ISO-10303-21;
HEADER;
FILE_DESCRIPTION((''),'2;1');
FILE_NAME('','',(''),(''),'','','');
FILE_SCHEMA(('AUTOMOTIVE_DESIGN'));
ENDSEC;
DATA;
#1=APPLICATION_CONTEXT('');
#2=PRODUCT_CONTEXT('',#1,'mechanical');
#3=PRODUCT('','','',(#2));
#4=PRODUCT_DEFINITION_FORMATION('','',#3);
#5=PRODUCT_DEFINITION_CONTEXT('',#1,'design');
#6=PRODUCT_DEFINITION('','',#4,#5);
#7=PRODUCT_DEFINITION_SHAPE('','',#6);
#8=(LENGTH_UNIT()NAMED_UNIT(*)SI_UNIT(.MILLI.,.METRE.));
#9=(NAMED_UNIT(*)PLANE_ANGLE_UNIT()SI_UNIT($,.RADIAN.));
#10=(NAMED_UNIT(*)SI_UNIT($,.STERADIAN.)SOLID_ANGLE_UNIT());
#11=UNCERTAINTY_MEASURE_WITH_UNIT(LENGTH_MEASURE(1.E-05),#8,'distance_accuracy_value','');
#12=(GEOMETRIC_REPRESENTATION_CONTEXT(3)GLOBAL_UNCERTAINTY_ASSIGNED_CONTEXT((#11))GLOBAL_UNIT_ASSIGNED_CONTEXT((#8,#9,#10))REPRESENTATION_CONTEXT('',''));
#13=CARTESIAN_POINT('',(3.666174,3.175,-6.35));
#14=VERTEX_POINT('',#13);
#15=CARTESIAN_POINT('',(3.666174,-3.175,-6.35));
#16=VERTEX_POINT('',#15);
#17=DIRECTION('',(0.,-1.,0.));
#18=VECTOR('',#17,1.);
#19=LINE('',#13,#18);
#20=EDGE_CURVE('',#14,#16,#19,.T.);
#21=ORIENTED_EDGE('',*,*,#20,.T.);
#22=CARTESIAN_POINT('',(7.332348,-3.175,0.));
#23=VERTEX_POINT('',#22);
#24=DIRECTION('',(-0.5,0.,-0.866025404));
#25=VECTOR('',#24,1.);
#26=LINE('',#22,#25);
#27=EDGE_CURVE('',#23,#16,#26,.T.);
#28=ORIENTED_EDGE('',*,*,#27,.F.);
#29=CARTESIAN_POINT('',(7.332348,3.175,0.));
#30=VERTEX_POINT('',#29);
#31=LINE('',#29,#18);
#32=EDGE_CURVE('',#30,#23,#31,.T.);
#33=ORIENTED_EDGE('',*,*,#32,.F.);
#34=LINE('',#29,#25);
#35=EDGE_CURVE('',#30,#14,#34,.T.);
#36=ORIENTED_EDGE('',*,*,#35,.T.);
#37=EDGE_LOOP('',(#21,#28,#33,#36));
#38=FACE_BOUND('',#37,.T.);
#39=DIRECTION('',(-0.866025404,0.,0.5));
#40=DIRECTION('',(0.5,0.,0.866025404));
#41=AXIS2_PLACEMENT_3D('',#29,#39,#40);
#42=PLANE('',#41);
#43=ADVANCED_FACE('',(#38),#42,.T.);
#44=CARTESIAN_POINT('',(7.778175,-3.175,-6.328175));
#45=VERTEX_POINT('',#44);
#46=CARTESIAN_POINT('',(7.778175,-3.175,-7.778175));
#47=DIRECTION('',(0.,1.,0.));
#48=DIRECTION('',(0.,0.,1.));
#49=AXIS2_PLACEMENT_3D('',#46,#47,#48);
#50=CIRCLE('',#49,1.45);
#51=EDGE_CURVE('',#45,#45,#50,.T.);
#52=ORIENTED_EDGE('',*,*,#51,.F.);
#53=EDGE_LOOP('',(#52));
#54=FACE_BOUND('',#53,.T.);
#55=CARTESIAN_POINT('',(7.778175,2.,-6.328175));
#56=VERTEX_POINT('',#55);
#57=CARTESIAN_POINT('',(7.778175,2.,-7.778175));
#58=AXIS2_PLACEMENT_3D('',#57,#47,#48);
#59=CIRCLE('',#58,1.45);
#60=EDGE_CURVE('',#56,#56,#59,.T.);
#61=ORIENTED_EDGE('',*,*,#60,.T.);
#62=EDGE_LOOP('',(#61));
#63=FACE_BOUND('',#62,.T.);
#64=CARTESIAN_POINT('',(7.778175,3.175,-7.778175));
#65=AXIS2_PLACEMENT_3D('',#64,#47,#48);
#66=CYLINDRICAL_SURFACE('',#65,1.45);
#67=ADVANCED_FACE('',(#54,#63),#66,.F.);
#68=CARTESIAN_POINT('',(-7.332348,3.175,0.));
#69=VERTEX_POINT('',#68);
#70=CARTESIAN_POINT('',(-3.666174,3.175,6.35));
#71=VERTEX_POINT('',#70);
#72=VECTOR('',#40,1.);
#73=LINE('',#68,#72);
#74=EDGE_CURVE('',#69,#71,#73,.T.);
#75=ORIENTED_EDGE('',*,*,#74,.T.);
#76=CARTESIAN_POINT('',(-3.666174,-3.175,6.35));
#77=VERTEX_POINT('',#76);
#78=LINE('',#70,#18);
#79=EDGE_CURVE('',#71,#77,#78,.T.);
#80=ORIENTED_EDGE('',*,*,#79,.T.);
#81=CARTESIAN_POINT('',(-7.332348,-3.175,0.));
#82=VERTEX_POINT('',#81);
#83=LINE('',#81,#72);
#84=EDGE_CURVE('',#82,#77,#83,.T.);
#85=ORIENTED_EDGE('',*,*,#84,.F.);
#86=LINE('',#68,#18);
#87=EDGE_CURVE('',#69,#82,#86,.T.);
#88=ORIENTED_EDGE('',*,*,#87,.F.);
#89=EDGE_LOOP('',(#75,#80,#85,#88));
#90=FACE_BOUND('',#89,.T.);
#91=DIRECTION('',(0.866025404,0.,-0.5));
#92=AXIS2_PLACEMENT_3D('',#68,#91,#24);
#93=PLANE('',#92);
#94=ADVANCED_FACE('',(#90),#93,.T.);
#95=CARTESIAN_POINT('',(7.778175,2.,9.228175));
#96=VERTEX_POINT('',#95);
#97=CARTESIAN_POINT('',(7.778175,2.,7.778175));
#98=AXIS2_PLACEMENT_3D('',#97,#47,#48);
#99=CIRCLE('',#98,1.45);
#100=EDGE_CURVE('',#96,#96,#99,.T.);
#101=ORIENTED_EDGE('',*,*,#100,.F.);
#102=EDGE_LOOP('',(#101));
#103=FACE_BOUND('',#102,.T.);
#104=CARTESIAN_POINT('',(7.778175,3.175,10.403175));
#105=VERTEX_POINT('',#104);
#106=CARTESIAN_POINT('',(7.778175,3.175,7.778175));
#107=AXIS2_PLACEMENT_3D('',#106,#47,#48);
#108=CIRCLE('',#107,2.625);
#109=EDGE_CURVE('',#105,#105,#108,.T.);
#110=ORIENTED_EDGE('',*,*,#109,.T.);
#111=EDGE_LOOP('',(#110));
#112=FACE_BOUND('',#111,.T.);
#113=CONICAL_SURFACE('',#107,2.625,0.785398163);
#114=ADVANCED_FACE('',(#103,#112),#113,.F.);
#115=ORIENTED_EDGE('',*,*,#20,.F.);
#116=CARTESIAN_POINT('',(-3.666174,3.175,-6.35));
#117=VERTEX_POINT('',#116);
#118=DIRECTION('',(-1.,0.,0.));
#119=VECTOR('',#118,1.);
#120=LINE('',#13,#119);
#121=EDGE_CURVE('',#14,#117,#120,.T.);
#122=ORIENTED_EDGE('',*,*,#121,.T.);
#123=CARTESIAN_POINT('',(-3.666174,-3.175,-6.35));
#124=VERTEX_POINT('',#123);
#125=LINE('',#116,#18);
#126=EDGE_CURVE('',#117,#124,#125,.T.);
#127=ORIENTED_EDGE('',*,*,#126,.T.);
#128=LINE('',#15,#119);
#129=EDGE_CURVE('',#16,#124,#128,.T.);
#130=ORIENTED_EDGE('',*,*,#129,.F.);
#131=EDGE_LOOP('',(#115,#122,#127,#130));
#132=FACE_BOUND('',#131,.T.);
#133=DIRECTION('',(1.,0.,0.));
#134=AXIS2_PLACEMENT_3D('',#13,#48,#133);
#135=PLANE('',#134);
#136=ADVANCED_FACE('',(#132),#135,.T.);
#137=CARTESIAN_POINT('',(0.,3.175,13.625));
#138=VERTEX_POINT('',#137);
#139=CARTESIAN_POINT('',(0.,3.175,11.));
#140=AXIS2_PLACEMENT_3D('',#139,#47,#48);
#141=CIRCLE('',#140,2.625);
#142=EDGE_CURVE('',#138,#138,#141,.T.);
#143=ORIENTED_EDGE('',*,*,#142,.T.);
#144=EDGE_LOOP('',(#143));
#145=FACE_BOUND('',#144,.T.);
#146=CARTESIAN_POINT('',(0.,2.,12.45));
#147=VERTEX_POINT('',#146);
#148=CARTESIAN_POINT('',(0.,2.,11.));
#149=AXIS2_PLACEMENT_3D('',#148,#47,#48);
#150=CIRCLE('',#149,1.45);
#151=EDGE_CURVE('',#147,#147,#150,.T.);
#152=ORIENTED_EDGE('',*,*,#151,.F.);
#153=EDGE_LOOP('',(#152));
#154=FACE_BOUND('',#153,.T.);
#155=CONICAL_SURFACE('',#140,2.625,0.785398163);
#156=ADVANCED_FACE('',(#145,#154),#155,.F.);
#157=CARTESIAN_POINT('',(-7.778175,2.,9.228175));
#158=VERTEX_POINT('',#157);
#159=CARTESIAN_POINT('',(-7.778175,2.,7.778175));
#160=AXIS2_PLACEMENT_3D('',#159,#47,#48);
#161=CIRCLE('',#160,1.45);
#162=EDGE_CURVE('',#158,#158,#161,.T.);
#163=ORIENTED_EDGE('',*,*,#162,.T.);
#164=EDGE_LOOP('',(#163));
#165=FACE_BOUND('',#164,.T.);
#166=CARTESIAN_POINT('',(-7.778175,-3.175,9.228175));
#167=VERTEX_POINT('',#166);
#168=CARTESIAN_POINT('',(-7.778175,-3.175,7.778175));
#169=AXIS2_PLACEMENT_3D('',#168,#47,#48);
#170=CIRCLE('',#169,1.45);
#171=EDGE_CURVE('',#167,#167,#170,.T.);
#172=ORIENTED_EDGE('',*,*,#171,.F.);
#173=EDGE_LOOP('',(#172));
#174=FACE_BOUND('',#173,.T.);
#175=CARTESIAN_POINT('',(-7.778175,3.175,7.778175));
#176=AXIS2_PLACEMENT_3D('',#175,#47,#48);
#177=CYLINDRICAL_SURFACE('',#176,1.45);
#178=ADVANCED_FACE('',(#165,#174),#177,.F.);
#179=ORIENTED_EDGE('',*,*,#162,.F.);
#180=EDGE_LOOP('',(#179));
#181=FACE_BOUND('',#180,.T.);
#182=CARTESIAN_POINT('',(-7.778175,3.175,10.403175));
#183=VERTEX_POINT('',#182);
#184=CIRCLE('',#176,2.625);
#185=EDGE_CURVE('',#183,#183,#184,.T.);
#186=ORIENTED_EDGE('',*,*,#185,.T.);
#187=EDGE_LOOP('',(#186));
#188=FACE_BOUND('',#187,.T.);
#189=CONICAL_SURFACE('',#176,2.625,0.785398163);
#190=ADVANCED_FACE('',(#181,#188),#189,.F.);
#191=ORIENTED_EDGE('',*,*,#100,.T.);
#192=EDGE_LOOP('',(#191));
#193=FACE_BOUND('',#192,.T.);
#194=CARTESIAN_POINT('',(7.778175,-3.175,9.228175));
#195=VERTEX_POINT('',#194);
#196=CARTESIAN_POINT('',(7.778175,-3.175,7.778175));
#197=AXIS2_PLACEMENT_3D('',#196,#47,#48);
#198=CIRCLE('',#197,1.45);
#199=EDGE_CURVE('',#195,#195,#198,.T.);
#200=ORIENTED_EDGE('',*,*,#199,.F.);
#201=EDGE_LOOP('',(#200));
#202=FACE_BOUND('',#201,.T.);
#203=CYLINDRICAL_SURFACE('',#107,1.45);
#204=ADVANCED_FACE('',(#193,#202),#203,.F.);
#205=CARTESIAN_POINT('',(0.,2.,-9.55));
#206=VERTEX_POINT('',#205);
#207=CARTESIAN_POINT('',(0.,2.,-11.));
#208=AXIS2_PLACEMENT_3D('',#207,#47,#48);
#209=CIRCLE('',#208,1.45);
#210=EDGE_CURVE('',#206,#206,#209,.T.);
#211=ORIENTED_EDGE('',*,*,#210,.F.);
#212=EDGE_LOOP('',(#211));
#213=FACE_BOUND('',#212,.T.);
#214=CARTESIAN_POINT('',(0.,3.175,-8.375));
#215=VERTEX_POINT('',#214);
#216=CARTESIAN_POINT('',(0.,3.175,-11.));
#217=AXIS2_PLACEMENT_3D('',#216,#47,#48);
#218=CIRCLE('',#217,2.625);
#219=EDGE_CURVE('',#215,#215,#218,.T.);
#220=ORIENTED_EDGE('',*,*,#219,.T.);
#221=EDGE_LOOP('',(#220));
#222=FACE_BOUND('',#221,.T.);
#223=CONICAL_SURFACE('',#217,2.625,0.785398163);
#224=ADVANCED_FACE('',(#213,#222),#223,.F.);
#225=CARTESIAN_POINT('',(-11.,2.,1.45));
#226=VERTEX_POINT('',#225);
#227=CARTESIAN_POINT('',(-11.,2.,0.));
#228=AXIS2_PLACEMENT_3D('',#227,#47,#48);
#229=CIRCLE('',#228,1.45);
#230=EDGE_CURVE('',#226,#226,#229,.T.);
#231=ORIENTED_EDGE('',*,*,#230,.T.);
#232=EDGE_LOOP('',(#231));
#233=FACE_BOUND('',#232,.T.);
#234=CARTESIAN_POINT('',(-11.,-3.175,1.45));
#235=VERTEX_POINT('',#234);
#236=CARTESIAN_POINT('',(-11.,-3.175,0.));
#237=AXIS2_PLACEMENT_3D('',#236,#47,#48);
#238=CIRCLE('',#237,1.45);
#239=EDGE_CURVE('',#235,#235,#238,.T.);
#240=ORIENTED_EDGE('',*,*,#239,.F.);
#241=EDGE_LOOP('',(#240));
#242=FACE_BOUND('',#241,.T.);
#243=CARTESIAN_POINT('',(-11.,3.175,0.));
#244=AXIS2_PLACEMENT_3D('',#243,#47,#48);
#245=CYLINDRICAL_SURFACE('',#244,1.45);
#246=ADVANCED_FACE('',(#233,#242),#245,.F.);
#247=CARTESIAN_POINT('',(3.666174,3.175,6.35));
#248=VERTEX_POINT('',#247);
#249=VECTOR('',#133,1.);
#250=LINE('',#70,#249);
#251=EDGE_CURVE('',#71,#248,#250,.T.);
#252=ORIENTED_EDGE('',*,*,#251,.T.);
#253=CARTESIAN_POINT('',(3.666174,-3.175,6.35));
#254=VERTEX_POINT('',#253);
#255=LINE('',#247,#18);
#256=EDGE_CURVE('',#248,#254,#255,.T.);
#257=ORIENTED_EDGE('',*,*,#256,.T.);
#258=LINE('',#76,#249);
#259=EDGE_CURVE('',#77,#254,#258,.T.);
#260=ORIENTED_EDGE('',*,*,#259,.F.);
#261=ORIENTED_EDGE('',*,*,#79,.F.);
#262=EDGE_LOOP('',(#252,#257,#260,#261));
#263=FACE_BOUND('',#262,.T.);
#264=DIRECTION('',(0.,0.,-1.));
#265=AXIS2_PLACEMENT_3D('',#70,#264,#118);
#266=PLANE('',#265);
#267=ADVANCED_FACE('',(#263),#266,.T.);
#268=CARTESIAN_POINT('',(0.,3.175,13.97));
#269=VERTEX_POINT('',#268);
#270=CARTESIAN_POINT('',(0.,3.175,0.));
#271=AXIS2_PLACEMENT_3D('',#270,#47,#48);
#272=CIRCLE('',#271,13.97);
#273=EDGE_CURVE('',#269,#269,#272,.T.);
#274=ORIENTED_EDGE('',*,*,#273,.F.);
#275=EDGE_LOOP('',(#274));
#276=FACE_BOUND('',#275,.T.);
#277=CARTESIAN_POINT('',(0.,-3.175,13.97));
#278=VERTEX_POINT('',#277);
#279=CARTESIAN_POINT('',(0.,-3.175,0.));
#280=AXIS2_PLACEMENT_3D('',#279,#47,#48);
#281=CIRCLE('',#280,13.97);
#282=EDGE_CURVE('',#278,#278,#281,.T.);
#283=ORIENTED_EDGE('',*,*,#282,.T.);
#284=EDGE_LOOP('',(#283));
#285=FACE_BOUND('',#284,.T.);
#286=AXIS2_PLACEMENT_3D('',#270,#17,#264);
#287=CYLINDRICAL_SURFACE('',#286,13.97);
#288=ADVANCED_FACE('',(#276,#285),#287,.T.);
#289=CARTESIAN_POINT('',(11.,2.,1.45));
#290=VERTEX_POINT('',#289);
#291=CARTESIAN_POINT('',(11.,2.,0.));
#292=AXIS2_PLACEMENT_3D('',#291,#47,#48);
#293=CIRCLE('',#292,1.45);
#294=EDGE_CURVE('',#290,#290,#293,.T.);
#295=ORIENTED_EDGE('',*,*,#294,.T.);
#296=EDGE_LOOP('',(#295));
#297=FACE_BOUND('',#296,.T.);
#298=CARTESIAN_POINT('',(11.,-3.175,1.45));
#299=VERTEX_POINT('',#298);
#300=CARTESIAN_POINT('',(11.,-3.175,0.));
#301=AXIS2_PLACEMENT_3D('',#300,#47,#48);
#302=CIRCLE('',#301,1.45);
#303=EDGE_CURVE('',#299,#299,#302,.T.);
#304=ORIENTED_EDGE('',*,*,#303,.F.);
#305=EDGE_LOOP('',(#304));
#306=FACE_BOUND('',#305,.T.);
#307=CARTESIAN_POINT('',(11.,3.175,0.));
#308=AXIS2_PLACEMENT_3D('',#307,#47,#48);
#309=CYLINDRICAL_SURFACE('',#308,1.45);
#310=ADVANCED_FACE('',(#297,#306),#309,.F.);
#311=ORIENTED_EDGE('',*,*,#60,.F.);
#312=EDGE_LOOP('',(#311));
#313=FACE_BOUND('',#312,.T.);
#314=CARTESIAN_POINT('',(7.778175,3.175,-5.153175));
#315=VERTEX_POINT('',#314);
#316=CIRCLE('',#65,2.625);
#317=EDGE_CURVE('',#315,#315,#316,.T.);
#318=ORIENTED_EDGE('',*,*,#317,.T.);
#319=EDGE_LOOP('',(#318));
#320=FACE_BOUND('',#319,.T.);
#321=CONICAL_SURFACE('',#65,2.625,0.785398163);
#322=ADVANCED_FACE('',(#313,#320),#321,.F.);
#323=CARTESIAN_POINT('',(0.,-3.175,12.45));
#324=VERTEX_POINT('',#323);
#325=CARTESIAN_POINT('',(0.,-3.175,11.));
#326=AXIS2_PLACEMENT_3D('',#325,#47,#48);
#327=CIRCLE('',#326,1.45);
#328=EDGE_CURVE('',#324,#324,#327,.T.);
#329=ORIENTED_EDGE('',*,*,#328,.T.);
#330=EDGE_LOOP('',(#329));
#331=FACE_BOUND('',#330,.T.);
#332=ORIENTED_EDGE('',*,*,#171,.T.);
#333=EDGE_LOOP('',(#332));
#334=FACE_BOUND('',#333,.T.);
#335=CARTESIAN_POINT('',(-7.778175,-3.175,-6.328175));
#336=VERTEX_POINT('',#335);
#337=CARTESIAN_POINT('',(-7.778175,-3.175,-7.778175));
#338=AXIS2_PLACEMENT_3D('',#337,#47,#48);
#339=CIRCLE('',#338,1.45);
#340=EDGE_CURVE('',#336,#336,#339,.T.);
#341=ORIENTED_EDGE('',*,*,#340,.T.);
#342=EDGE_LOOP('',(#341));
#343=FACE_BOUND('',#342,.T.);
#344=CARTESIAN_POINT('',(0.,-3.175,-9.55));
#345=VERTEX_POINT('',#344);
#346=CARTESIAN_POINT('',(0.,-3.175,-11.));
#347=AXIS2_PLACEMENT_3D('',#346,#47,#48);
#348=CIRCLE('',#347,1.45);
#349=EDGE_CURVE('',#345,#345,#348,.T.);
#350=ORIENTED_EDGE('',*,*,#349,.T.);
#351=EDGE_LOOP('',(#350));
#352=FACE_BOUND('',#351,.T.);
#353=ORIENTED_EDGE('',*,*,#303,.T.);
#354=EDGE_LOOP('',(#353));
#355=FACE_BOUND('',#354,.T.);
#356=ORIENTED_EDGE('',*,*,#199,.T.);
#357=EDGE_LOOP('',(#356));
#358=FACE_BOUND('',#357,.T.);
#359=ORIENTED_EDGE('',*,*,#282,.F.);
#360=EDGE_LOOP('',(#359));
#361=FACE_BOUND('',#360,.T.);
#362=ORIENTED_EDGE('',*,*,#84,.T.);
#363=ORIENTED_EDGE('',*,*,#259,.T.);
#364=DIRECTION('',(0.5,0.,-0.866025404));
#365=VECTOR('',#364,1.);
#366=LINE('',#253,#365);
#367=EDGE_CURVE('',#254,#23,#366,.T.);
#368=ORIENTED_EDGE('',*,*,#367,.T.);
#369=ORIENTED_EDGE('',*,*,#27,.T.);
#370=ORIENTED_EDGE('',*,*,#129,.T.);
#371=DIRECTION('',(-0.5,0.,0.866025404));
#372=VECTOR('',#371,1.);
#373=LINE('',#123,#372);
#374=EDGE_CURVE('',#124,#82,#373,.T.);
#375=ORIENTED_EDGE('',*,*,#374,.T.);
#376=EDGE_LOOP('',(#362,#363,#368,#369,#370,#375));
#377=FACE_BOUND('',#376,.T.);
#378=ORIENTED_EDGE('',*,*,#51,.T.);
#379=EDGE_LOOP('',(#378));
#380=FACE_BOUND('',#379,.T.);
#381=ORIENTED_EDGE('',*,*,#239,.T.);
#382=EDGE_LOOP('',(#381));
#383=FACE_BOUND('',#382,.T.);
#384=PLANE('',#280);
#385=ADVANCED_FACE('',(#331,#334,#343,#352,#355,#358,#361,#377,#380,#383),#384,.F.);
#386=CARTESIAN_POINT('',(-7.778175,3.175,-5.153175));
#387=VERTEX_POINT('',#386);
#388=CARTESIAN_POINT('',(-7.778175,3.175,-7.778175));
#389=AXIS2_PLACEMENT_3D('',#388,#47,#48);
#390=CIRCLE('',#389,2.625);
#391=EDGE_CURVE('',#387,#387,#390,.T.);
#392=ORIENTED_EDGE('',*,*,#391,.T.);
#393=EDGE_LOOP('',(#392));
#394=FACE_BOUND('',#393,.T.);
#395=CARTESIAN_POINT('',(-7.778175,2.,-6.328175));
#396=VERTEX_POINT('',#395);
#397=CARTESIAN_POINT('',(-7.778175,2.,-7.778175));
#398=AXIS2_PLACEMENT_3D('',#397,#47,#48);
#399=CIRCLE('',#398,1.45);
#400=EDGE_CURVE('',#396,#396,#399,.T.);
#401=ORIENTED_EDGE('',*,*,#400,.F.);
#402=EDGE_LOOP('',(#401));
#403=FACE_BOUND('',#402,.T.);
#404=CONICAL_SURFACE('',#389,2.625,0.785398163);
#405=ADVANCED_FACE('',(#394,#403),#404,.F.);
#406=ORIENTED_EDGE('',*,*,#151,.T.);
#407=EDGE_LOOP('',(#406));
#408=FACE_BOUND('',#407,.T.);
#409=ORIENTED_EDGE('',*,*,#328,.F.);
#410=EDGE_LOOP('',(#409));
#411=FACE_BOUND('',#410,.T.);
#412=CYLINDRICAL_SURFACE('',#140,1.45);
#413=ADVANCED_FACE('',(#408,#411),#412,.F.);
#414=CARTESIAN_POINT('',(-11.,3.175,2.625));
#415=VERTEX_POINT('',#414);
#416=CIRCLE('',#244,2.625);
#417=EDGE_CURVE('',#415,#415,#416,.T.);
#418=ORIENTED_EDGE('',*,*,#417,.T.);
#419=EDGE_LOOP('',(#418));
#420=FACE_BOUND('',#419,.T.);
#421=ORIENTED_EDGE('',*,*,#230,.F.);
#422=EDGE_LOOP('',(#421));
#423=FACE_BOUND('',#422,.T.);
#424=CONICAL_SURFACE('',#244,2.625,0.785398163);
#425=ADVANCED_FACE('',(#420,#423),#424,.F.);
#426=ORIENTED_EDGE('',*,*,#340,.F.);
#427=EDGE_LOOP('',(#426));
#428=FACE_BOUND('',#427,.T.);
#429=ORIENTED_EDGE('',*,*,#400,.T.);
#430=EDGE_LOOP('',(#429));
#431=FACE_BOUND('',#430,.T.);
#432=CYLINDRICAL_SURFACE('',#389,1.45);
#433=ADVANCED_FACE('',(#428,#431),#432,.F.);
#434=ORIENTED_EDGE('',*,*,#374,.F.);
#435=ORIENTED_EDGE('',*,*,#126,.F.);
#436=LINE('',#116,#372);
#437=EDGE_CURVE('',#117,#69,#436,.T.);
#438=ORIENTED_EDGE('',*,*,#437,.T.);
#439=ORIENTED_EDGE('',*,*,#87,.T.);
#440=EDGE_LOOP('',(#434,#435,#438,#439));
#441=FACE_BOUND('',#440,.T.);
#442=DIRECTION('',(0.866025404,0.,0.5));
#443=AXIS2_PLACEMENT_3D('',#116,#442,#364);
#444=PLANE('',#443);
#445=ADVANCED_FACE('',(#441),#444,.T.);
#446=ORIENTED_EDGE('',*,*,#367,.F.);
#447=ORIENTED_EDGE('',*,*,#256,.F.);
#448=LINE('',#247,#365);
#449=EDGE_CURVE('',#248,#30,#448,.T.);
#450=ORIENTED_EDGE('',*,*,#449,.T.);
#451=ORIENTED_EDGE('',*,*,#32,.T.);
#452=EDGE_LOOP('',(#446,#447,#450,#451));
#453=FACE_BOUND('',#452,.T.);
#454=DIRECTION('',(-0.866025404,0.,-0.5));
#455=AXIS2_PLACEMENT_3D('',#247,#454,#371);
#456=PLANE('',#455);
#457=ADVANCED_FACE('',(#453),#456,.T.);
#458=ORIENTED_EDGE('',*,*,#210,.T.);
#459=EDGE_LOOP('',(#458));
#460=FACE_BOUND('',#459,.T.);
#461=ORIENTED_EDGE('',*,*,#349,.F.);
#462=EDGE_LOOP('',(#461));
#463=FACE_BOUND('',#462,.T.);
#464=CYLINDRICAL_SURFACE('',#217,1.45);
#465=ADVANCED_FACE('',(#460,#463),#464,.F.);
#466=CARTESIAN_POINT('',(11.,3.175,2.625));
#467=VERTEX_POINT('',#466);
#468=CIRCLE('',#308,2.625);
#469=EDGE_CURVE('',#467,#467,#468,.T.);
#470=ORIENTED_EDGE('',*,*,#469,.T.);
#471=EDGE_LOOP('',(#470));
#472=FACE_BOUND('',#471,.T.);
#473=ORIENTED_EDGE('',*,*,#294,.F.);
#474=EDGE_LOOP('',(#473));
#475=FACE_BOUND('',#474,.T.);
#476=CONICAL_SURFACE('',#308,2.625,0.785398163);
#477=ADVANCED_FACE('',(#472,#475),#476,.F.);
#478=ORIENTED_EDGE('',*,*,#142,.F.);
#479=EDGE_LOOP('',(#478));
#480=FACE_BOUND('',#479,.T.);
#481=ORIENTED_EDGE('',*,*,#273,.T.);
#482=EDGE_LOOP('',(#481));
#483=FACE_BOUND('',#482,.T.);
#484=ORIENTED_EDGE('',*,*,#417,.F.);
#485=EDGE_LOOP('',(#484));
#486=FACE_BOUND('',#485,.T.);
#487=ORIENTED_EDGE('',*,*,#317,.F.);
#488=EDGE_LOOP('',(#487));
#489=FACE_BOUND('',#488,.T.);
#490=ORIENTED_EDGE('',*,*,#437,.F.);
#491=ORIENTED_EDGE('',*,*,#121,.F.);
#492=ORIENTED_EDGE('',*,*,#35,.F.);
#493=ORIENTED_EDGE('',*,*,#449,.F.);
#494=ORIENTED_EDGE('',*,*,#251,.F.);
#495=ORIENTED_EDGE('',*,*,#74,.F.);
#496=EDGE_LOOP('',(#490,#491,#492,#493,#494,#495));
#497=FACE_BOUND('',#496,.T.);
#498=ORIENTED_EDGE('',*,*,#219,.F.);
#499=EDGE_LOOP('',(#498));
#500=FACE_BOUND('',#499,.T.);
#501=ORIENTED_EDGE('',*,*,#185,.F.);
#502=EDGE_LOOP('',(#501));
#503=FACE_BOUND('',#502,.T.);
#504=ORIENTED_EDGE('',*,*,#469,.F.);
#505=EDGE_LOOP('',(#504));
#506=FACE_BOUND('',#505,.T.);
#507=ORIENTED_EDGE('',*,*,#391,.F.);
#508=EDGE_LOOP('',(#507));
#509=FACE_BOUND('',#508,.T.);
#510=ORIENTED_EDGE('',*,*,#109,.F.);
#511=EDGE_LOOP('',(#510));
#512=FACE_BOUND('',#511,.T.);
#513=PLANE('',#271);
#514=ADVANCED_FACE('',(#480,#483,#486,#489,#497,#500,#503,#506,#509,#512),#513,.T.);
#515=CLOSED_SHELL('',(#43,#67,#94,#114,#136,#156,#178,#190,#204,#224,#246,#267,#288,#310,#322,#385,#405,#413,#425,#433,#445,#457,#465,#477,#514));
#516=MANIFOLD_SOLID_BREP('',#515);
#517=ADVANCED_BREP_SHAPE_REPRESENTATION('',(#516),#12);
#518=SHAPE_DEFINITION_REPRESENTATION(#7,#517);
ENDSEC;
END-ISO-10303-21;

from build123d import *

# Parameters (mm, degrees)
SKETCH1_R                        = 13.97
BOSS_EXTRUDE1_DEPTH              = 3.175
M2_5_CLEARANCE_HOLE1_D           = 2.9
M2_5_CLEARANCE_HOLE1_CSINK_D     = 5.25
M2_5_CLEARANCE_HOLE1_CSINK_ANGLE = 90
CIRPATTERN1_COUNT                = 8


with BuildPart() as part:
    # Sketch1 → Boss-Extrude1 (new, symmetric)
    with BuildSketch(Plane(origin=(0, 0, 0), x_dir=(1, 0, 0), z_dir=(0, 1, 0))):
        with Locations(Location((0, 0, 0), (0, 0, 270))):
            Circle(SKETCH1_R)
        Polygon((3.666174209, 6.35), (-3.666174209, 6.35), (-7.332348419, 0), (-3.666174209, -6.35), (3.666174209, -6.35), (7.332348419, 0), align=None, mode=Mode.SUBTRACT)
    extrude(amount=BOSS_EXTRUDE1_DEPTH, both=True)

    # M2.5 Clearance Hole1 (through all)
    with Locations(Plane(origin=(0, 3.175, 0), x_dir=(1, 0, 0), z_dir=(0, 1, 0))):
        with Locations((0, 11)):
            m2_5_clearance_hole1 = CounterSinkHole(M2_5_CLEARANCE_HOLE1_D / 2, M2_5_CLEARANCE_HOLE1_CSINK_D / 2, counter_sink_angle=M2_5_CLEARANCE_HOLE1_CSINK_ANGLE)

    # CirPattern1: M2.5 Clearance Hole1 ×8 about axis
    cirpattern1_axis = Axis((0, 0, 0), (0, 1, 0))
    for i in range(1, CIRPATTERN1_COUNT):
        add(m2_5_clearance_hole1.rotate(cirpattern1_axis, i * 360 / CIRPATTERN1_COUNT), mode=Mode.SUBTRACT)


solid = part.part
